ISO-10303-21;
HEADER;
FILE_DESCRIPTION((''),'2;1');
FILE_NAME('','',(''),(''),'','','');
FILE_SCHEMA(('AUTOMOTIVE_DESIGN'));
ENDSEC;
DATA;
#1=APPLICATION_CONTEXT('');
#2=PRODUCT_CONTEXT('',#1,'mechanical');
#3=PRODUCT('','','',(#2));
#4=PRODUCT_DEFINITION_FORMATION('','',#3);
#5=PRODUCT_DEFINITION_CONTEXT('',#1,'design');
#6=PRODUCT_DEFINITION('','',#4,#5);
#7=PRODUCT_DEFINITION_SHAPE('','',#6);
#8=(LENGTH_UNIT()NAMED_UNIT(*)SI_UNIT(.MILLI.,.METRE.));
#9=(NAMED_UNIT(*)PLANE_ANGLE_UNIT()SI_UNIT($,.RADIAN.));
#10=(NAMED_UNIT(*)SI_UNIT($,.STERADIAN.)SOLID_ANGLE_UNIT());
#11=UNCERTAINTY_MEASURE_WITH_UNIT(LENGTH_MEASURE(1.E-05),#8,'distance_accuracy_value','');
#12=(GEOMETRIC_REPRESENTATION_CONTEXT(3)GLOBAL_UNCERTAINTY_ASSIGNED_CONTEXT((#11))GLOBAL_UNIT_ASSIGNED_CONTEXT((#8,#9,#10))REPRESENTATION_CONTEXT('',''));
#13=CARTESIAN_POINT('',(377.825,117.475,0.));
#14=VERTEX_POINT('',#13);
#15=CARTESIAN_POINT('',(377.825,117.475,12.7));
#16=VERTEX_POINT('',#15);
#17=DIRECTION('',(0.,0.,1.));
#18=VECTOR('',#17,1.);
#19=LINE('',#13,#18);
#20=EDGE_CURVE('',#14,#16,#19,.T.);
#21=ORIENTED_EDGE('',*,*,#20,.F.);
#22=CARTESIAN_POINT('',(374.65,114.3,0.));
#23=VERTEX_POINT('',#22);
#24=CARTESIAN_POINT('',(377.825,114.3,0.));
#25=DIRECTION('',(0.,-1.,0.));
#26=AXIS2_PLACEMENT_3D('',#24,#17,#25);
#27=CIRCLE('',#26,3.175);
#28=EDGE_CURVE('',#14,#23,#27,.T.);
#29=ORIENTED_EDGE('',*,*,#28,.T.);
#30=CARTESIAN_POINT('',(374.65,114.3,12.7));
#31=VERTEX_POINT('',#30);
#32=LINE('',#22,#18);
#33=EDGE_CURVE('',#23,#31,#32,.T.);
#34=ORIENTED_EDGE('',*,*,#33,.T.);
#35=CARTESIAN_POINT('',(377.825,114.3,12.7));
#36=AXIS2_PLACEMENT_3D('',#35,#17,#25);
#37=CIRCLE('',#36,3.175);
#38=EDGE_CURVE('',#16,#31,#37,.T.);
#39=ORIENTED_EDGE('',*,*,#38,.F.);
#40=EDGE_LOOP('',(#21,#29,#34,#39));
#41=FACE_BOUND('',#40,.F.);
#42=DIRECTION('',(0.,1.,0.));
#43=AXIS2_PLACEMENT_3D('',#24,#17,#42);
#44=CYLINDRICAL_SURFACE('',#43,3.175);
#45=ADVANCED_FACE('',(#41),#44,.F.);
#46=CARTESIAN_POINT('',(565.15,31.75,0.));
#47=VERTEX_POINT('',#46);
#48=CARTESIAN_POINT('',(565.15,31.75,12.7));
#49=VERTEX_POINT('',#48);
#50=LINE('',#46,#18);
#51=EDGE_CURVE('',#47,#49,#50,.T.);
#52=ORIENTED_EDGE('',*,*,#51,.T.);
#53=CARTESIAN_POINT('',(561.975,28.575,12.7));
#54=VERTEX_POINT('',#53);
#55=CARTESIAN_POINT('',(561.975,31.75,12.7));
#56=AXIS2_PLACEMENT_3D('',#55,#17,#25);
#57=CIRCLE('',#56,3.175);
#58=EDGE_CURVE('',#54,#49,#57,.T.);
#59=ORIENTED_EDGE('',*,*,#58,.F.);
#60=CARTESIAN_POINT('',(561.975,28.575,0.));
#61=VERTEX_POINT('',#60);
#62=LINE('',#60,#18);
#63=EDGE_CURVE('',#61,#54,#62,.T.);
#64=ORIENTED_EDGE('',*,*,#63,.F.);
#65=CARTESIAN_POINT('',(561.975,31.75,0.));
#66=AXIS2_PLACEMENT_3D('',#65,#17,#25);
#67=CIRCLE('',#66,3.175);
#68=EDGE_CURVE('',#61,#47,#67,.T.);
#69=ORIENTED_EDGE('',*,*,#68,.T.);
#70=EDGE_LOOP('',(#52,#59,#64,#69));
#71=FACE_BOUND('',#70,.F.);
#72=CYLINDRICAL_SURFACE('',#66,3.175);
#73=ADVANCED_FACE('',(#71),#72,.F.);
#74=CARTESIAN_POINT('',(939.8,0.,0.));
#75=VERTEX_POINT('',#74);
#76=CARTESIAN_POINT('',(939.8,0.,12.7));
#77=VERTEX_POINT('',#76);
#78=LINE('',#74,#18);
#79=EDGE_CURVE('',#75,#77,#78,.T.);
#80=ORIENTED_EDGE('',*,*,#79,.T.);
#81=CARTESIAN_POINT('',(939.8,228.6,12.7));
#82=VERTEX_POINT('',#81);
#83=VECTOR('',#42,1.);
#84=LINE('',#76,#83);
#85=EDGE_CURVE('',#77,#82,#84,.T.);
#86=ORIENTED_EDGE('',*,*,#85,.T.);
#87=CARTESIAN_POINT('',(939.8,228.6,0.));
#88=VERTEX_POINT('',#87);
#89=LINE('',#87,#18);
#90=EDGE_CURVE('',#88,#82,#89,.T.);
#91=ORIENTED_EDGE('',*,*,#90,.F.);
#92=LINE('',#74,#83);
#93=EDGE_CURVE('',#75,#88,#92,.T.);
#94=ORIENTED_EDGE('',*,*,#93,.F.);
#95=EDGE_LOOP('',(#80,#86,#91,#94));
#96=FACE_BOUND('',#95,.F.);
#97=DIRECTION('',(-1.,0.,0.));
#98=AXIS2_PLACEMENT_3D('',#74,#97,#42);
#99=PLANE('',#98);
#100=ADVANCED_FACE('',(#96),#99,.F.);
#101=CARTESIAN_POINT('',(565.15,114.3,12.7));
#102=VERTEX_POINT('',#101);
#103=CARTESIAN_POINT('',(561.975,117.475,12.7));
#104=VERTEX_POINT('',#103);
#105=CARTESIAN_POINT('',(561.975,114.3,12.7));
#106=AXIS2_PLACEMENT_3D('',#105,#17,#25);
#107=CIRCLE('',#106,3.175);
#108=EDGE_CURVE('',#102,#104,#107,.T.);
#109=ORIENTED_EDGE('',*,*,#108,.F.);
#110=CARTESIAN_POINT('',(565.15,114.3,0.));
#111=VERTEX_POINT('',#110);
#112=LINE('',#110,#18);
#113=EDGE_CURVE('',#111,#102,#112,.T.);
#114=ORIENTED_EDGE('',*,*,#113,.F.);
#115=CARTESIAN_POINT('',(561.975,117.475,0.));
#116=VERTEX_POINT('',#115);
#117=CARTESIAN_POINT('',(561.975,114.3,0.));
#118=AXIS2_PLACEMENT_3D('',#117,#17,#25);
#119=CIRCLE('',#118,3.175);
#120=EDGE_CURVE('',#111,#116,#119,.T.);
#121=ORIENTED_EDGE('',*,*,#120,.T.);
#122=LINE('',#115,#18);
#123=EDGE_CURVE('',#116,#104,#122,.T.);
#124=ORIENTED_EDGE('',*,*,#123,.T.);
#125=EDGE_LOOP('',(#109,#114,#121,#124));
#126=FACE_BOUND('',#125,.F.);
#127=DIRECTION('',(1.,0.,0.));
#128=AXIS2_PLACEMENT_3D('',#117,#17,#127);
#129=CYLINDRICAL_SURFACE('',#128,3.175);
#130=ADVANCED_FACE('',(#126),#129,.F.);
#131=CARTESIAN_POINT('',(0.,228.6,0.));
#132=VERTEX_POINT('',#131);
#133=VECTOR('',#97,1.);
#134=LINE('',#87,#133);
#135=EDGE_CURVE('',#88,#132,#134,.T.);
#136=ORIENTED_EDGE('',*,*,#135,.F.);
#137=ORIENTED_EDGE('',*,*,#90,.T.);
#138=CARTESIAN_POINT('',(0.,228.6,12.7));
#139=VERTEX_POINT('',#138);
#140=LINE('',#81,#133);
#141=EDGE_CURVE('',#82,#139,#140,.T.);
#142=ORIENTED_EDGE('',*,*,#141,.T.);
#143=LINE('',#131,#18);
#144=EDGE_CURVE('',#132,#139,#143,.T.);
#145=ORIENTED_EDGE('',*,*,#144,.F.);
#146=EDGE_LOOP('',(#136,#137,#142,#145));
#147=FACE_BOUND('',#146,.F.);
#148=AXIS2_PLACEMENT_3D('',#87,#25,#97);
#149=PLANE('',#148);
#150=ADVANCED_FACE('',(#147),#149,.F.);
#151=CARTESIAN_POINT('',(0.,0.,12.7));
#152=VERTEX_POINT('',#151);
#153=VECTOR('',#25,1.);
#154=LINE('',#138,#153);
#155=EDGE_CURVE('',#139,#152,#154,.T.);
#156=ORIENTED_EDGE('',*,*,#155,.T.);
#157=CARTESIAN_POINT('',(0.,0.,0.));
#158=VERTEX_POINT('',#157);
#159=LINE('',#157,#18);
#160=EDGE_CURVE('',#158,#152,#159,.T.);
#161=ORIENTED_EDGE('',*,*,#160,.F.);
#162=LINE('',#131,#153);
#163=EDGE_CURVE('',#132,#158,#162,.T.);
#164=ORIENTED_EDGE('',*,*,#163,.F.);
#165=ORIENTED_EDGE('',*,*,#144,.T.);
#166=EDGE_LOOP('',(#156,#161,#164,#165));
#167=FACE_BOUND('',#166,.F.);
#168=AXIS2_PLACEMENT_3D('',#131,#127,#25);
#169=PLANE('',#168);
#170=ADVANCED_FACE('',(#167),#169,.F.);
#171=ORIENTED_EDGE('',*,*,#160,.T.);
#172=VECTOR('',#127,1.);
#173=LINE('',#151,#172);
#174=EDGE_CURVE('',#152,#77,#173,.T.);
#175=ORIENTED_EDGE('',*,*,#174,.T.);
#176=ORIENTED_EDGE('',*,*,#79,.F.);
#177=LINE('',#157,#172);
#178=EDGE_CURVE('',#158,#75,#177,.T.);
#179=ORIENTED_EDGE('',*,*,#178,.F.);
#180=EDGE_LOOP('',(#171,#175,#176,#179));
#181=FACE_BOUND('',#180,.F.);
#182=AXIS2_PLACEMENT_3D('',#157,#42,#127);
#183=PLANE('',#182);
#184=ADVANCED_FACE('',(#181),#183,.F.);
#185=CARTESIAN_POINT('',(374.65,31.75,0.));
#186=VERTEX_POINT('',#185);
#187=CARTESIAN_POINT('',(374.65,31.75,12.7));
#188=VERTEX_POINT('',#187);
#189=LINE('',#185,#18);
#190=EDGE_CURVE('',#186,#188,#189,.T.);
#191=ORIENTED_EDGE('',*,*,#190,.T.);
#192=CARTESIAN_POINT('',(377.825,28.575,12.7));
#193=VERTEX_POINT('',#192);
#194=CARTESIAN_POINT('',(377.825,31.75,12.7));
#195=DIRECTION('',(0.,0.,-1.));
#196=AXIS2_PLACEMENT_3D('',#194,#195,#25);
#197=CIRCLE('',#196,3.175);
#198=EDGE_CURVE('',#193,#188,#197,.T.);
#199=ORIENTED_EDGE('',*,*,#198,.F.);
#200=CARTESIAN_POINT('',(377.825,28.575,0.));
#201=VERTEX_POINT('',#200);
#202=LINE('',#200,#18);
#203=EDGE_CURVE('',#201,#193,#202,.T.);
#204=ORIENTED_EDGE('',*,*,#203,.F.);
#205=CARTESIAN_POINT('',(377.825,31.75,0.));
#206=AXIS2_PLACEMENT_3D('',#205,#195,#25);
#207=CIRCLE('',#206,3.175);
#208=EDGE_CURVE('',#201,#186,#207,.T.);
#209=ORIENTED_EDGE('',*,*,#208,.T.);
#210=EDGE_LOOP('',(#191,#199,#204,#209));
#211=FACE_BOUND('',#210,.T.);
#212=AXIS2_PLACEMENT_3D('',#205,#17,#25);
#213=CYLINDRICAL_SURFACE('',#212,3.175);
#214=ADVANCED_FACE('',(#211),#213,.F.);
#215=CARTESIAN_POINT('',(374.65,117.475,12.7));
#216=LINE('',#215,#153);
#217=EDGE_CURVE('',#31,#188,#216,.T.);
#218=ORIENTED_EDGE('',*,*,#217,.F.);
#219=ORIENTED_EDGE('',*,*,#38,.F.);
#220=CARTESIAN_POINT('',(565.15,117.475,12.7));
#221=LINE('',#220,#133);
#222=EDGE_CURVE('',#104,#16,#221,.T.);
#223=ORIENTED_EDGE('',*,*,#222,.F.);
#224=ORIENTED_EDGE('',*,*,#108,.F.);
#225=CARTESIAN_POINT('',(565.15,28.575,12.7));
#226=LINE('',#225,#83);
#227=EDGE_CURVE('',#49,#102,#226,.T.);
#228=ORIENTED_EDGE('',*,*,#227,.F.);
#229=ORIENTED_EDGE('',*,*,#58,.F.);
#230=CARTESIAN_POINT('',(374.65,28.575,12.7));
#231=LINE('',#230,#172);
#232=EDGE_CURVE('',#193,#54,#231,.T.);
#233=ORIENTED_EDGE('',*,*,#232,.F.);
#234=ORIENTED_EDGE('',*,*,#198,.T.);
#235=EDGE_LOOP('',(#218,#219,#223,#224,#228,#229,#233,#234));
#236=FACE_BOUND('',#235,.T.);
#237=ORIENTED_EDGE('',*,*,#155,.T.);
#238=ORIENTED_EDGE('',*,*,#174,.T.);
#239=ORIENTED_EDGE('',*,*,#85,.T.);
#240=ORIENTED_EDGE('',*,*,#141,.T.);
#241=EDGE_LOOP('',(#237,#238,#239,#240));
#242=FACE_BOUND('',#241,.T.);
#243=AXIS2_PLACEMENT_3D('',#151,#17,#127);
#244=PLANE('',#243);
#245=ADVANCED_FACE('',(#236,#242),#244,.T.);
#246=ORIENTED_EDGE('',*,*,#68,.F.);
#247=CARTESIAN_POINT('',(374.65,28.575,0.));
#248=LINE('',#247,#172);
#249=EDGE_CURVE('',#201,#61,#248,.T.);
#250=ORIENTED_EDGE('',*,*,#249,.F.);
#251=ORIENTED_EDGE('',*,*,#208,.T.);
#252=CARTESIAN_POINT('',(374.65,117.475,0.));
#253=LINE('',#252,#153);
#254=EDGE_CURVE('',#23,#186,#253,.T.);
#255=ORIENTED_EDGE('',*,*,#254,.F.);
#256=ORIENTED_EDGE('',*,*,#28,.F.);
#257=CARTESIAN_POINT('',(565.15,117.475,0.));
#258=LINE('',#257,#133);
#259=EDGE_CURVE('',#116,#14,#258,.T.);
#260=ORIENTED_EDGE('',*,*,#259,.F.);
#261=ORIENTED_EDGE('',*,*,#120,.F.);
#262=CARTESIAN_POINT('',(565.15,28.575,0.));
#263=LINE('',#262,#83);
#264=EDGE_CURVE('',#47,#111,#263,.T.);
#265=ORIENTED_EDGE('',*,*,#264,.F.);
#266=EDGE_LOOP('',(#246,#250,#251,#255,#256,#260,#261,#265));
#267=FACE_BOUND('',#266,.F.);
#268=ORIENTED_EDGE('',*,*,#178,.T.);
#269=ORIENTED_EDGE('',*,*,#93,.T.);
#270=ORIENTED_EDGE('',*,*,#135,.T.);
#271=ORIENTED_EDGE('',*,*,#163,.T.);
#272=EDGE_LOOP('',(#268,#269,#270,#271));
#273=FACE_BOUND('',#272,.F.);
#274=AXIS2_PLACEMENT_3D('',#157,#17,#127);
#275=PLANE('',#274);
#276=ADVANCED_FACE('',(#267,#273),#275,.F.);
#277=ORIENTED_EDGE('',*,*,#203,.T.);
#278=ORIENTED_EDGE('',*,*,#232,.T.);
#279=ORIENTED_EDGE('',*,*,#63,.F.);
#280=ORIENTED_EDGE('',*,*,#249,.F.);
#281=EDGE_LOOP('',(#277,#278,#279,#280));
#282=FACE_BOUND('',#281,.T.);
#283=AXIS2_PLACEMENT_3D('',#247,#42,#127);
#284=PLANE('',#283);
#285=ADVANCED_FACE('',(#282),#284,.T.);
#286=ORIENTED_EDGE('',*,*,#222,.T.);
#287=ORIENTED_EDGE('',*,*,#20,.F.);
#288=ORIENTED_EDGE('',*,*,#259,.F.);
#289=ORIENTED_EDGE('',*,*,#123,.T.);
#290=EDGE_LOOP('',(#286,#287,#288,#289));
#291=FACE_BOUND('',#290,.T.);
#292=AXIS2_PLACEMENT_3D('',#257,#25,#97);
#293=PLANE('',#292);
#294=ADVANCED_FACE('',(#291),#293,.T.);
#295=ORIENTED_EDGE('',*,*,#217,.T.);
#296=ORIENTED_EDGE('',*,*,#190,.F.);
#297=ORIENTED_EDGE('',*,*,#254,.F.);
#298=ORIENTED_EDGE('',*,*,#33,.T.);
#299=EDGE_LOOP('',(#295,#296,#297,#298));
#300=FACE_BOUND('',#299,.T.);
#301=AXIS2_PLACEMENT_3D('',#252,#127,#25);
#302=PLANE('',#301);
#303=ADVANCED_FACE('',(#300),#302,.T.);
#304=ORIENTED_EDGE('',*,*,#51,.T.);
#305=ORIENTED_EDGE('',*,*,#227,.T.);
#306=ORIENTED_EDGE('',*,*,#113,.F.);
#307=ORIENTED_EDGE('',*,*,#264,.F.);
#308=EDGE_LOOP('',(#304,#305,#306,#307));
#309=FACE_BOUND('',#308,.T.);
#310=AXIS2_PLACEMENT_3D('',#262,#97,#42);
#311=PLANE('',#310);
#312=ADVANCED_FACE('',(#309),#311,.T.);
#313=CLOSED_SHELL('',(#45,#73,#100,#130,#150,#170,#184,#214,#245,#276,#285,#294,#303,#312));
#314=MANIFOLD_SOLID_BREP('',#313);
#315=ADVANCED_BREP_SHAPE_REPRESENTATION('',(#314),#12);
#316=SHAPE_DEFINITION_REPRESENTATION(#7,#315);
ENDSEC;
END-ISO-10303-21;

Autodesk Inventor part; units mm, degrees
ref_plane "YZ Plane" through (0, 0, 0) normal (1, 0, 0) x (0, 1, 0)
ref_plane "XZ Plane" through (0, 0, 0) normal (0, 1, 0) x (-1, 0, 0)
ref_plane "XY Plane" through (0, 0, 0) normal (0, 0, 1) x (1, 0, 0)
sketch "Sketch1" plane through (0, 0, 0) normal (0, 0, 1) x (1, 0, 0)
  line L0 (0, 0) -> (939.8, 0)
  line L1 (939.8, 0) -> (939.8, 228.6)
  line L2 (939.8, 228.6) -> (0, 228.6)
  line L3 (0, 228.6) -> (0, 0)
  line L4 (374.65, 28.575) -> (565.15, 28.575)
  line L5 (565.15, 28.575) -> (565.15, 117.475)
  line L6 (565.15, 117.475) -> (374.65, 117.475)
  line L7 (374.65, 117.475) -> (374.65, 28.575)
  dimension "d0" = 939.8
  dimension "d1" = 228.6
  dimension "d4" = 374.65
  dimension "d5" = 374.65
  dimension "d6" = 190.5
  dimension "d7" = 88.9
  dimension "d8" = 28.575
extrude "Extrusion1" add sketch "Sketch1" along normal blind 12.7
fillet "Fillet1" radius 3.175 4 edges at (565.15, 117.475, 6.35) (374.65, 117.475, 6.35) (374.65, 28.575, 6.35) (565.15, 28.575, 6.35)
equation "\"d4\" = d5"
properties part number "plywood back pannel"
